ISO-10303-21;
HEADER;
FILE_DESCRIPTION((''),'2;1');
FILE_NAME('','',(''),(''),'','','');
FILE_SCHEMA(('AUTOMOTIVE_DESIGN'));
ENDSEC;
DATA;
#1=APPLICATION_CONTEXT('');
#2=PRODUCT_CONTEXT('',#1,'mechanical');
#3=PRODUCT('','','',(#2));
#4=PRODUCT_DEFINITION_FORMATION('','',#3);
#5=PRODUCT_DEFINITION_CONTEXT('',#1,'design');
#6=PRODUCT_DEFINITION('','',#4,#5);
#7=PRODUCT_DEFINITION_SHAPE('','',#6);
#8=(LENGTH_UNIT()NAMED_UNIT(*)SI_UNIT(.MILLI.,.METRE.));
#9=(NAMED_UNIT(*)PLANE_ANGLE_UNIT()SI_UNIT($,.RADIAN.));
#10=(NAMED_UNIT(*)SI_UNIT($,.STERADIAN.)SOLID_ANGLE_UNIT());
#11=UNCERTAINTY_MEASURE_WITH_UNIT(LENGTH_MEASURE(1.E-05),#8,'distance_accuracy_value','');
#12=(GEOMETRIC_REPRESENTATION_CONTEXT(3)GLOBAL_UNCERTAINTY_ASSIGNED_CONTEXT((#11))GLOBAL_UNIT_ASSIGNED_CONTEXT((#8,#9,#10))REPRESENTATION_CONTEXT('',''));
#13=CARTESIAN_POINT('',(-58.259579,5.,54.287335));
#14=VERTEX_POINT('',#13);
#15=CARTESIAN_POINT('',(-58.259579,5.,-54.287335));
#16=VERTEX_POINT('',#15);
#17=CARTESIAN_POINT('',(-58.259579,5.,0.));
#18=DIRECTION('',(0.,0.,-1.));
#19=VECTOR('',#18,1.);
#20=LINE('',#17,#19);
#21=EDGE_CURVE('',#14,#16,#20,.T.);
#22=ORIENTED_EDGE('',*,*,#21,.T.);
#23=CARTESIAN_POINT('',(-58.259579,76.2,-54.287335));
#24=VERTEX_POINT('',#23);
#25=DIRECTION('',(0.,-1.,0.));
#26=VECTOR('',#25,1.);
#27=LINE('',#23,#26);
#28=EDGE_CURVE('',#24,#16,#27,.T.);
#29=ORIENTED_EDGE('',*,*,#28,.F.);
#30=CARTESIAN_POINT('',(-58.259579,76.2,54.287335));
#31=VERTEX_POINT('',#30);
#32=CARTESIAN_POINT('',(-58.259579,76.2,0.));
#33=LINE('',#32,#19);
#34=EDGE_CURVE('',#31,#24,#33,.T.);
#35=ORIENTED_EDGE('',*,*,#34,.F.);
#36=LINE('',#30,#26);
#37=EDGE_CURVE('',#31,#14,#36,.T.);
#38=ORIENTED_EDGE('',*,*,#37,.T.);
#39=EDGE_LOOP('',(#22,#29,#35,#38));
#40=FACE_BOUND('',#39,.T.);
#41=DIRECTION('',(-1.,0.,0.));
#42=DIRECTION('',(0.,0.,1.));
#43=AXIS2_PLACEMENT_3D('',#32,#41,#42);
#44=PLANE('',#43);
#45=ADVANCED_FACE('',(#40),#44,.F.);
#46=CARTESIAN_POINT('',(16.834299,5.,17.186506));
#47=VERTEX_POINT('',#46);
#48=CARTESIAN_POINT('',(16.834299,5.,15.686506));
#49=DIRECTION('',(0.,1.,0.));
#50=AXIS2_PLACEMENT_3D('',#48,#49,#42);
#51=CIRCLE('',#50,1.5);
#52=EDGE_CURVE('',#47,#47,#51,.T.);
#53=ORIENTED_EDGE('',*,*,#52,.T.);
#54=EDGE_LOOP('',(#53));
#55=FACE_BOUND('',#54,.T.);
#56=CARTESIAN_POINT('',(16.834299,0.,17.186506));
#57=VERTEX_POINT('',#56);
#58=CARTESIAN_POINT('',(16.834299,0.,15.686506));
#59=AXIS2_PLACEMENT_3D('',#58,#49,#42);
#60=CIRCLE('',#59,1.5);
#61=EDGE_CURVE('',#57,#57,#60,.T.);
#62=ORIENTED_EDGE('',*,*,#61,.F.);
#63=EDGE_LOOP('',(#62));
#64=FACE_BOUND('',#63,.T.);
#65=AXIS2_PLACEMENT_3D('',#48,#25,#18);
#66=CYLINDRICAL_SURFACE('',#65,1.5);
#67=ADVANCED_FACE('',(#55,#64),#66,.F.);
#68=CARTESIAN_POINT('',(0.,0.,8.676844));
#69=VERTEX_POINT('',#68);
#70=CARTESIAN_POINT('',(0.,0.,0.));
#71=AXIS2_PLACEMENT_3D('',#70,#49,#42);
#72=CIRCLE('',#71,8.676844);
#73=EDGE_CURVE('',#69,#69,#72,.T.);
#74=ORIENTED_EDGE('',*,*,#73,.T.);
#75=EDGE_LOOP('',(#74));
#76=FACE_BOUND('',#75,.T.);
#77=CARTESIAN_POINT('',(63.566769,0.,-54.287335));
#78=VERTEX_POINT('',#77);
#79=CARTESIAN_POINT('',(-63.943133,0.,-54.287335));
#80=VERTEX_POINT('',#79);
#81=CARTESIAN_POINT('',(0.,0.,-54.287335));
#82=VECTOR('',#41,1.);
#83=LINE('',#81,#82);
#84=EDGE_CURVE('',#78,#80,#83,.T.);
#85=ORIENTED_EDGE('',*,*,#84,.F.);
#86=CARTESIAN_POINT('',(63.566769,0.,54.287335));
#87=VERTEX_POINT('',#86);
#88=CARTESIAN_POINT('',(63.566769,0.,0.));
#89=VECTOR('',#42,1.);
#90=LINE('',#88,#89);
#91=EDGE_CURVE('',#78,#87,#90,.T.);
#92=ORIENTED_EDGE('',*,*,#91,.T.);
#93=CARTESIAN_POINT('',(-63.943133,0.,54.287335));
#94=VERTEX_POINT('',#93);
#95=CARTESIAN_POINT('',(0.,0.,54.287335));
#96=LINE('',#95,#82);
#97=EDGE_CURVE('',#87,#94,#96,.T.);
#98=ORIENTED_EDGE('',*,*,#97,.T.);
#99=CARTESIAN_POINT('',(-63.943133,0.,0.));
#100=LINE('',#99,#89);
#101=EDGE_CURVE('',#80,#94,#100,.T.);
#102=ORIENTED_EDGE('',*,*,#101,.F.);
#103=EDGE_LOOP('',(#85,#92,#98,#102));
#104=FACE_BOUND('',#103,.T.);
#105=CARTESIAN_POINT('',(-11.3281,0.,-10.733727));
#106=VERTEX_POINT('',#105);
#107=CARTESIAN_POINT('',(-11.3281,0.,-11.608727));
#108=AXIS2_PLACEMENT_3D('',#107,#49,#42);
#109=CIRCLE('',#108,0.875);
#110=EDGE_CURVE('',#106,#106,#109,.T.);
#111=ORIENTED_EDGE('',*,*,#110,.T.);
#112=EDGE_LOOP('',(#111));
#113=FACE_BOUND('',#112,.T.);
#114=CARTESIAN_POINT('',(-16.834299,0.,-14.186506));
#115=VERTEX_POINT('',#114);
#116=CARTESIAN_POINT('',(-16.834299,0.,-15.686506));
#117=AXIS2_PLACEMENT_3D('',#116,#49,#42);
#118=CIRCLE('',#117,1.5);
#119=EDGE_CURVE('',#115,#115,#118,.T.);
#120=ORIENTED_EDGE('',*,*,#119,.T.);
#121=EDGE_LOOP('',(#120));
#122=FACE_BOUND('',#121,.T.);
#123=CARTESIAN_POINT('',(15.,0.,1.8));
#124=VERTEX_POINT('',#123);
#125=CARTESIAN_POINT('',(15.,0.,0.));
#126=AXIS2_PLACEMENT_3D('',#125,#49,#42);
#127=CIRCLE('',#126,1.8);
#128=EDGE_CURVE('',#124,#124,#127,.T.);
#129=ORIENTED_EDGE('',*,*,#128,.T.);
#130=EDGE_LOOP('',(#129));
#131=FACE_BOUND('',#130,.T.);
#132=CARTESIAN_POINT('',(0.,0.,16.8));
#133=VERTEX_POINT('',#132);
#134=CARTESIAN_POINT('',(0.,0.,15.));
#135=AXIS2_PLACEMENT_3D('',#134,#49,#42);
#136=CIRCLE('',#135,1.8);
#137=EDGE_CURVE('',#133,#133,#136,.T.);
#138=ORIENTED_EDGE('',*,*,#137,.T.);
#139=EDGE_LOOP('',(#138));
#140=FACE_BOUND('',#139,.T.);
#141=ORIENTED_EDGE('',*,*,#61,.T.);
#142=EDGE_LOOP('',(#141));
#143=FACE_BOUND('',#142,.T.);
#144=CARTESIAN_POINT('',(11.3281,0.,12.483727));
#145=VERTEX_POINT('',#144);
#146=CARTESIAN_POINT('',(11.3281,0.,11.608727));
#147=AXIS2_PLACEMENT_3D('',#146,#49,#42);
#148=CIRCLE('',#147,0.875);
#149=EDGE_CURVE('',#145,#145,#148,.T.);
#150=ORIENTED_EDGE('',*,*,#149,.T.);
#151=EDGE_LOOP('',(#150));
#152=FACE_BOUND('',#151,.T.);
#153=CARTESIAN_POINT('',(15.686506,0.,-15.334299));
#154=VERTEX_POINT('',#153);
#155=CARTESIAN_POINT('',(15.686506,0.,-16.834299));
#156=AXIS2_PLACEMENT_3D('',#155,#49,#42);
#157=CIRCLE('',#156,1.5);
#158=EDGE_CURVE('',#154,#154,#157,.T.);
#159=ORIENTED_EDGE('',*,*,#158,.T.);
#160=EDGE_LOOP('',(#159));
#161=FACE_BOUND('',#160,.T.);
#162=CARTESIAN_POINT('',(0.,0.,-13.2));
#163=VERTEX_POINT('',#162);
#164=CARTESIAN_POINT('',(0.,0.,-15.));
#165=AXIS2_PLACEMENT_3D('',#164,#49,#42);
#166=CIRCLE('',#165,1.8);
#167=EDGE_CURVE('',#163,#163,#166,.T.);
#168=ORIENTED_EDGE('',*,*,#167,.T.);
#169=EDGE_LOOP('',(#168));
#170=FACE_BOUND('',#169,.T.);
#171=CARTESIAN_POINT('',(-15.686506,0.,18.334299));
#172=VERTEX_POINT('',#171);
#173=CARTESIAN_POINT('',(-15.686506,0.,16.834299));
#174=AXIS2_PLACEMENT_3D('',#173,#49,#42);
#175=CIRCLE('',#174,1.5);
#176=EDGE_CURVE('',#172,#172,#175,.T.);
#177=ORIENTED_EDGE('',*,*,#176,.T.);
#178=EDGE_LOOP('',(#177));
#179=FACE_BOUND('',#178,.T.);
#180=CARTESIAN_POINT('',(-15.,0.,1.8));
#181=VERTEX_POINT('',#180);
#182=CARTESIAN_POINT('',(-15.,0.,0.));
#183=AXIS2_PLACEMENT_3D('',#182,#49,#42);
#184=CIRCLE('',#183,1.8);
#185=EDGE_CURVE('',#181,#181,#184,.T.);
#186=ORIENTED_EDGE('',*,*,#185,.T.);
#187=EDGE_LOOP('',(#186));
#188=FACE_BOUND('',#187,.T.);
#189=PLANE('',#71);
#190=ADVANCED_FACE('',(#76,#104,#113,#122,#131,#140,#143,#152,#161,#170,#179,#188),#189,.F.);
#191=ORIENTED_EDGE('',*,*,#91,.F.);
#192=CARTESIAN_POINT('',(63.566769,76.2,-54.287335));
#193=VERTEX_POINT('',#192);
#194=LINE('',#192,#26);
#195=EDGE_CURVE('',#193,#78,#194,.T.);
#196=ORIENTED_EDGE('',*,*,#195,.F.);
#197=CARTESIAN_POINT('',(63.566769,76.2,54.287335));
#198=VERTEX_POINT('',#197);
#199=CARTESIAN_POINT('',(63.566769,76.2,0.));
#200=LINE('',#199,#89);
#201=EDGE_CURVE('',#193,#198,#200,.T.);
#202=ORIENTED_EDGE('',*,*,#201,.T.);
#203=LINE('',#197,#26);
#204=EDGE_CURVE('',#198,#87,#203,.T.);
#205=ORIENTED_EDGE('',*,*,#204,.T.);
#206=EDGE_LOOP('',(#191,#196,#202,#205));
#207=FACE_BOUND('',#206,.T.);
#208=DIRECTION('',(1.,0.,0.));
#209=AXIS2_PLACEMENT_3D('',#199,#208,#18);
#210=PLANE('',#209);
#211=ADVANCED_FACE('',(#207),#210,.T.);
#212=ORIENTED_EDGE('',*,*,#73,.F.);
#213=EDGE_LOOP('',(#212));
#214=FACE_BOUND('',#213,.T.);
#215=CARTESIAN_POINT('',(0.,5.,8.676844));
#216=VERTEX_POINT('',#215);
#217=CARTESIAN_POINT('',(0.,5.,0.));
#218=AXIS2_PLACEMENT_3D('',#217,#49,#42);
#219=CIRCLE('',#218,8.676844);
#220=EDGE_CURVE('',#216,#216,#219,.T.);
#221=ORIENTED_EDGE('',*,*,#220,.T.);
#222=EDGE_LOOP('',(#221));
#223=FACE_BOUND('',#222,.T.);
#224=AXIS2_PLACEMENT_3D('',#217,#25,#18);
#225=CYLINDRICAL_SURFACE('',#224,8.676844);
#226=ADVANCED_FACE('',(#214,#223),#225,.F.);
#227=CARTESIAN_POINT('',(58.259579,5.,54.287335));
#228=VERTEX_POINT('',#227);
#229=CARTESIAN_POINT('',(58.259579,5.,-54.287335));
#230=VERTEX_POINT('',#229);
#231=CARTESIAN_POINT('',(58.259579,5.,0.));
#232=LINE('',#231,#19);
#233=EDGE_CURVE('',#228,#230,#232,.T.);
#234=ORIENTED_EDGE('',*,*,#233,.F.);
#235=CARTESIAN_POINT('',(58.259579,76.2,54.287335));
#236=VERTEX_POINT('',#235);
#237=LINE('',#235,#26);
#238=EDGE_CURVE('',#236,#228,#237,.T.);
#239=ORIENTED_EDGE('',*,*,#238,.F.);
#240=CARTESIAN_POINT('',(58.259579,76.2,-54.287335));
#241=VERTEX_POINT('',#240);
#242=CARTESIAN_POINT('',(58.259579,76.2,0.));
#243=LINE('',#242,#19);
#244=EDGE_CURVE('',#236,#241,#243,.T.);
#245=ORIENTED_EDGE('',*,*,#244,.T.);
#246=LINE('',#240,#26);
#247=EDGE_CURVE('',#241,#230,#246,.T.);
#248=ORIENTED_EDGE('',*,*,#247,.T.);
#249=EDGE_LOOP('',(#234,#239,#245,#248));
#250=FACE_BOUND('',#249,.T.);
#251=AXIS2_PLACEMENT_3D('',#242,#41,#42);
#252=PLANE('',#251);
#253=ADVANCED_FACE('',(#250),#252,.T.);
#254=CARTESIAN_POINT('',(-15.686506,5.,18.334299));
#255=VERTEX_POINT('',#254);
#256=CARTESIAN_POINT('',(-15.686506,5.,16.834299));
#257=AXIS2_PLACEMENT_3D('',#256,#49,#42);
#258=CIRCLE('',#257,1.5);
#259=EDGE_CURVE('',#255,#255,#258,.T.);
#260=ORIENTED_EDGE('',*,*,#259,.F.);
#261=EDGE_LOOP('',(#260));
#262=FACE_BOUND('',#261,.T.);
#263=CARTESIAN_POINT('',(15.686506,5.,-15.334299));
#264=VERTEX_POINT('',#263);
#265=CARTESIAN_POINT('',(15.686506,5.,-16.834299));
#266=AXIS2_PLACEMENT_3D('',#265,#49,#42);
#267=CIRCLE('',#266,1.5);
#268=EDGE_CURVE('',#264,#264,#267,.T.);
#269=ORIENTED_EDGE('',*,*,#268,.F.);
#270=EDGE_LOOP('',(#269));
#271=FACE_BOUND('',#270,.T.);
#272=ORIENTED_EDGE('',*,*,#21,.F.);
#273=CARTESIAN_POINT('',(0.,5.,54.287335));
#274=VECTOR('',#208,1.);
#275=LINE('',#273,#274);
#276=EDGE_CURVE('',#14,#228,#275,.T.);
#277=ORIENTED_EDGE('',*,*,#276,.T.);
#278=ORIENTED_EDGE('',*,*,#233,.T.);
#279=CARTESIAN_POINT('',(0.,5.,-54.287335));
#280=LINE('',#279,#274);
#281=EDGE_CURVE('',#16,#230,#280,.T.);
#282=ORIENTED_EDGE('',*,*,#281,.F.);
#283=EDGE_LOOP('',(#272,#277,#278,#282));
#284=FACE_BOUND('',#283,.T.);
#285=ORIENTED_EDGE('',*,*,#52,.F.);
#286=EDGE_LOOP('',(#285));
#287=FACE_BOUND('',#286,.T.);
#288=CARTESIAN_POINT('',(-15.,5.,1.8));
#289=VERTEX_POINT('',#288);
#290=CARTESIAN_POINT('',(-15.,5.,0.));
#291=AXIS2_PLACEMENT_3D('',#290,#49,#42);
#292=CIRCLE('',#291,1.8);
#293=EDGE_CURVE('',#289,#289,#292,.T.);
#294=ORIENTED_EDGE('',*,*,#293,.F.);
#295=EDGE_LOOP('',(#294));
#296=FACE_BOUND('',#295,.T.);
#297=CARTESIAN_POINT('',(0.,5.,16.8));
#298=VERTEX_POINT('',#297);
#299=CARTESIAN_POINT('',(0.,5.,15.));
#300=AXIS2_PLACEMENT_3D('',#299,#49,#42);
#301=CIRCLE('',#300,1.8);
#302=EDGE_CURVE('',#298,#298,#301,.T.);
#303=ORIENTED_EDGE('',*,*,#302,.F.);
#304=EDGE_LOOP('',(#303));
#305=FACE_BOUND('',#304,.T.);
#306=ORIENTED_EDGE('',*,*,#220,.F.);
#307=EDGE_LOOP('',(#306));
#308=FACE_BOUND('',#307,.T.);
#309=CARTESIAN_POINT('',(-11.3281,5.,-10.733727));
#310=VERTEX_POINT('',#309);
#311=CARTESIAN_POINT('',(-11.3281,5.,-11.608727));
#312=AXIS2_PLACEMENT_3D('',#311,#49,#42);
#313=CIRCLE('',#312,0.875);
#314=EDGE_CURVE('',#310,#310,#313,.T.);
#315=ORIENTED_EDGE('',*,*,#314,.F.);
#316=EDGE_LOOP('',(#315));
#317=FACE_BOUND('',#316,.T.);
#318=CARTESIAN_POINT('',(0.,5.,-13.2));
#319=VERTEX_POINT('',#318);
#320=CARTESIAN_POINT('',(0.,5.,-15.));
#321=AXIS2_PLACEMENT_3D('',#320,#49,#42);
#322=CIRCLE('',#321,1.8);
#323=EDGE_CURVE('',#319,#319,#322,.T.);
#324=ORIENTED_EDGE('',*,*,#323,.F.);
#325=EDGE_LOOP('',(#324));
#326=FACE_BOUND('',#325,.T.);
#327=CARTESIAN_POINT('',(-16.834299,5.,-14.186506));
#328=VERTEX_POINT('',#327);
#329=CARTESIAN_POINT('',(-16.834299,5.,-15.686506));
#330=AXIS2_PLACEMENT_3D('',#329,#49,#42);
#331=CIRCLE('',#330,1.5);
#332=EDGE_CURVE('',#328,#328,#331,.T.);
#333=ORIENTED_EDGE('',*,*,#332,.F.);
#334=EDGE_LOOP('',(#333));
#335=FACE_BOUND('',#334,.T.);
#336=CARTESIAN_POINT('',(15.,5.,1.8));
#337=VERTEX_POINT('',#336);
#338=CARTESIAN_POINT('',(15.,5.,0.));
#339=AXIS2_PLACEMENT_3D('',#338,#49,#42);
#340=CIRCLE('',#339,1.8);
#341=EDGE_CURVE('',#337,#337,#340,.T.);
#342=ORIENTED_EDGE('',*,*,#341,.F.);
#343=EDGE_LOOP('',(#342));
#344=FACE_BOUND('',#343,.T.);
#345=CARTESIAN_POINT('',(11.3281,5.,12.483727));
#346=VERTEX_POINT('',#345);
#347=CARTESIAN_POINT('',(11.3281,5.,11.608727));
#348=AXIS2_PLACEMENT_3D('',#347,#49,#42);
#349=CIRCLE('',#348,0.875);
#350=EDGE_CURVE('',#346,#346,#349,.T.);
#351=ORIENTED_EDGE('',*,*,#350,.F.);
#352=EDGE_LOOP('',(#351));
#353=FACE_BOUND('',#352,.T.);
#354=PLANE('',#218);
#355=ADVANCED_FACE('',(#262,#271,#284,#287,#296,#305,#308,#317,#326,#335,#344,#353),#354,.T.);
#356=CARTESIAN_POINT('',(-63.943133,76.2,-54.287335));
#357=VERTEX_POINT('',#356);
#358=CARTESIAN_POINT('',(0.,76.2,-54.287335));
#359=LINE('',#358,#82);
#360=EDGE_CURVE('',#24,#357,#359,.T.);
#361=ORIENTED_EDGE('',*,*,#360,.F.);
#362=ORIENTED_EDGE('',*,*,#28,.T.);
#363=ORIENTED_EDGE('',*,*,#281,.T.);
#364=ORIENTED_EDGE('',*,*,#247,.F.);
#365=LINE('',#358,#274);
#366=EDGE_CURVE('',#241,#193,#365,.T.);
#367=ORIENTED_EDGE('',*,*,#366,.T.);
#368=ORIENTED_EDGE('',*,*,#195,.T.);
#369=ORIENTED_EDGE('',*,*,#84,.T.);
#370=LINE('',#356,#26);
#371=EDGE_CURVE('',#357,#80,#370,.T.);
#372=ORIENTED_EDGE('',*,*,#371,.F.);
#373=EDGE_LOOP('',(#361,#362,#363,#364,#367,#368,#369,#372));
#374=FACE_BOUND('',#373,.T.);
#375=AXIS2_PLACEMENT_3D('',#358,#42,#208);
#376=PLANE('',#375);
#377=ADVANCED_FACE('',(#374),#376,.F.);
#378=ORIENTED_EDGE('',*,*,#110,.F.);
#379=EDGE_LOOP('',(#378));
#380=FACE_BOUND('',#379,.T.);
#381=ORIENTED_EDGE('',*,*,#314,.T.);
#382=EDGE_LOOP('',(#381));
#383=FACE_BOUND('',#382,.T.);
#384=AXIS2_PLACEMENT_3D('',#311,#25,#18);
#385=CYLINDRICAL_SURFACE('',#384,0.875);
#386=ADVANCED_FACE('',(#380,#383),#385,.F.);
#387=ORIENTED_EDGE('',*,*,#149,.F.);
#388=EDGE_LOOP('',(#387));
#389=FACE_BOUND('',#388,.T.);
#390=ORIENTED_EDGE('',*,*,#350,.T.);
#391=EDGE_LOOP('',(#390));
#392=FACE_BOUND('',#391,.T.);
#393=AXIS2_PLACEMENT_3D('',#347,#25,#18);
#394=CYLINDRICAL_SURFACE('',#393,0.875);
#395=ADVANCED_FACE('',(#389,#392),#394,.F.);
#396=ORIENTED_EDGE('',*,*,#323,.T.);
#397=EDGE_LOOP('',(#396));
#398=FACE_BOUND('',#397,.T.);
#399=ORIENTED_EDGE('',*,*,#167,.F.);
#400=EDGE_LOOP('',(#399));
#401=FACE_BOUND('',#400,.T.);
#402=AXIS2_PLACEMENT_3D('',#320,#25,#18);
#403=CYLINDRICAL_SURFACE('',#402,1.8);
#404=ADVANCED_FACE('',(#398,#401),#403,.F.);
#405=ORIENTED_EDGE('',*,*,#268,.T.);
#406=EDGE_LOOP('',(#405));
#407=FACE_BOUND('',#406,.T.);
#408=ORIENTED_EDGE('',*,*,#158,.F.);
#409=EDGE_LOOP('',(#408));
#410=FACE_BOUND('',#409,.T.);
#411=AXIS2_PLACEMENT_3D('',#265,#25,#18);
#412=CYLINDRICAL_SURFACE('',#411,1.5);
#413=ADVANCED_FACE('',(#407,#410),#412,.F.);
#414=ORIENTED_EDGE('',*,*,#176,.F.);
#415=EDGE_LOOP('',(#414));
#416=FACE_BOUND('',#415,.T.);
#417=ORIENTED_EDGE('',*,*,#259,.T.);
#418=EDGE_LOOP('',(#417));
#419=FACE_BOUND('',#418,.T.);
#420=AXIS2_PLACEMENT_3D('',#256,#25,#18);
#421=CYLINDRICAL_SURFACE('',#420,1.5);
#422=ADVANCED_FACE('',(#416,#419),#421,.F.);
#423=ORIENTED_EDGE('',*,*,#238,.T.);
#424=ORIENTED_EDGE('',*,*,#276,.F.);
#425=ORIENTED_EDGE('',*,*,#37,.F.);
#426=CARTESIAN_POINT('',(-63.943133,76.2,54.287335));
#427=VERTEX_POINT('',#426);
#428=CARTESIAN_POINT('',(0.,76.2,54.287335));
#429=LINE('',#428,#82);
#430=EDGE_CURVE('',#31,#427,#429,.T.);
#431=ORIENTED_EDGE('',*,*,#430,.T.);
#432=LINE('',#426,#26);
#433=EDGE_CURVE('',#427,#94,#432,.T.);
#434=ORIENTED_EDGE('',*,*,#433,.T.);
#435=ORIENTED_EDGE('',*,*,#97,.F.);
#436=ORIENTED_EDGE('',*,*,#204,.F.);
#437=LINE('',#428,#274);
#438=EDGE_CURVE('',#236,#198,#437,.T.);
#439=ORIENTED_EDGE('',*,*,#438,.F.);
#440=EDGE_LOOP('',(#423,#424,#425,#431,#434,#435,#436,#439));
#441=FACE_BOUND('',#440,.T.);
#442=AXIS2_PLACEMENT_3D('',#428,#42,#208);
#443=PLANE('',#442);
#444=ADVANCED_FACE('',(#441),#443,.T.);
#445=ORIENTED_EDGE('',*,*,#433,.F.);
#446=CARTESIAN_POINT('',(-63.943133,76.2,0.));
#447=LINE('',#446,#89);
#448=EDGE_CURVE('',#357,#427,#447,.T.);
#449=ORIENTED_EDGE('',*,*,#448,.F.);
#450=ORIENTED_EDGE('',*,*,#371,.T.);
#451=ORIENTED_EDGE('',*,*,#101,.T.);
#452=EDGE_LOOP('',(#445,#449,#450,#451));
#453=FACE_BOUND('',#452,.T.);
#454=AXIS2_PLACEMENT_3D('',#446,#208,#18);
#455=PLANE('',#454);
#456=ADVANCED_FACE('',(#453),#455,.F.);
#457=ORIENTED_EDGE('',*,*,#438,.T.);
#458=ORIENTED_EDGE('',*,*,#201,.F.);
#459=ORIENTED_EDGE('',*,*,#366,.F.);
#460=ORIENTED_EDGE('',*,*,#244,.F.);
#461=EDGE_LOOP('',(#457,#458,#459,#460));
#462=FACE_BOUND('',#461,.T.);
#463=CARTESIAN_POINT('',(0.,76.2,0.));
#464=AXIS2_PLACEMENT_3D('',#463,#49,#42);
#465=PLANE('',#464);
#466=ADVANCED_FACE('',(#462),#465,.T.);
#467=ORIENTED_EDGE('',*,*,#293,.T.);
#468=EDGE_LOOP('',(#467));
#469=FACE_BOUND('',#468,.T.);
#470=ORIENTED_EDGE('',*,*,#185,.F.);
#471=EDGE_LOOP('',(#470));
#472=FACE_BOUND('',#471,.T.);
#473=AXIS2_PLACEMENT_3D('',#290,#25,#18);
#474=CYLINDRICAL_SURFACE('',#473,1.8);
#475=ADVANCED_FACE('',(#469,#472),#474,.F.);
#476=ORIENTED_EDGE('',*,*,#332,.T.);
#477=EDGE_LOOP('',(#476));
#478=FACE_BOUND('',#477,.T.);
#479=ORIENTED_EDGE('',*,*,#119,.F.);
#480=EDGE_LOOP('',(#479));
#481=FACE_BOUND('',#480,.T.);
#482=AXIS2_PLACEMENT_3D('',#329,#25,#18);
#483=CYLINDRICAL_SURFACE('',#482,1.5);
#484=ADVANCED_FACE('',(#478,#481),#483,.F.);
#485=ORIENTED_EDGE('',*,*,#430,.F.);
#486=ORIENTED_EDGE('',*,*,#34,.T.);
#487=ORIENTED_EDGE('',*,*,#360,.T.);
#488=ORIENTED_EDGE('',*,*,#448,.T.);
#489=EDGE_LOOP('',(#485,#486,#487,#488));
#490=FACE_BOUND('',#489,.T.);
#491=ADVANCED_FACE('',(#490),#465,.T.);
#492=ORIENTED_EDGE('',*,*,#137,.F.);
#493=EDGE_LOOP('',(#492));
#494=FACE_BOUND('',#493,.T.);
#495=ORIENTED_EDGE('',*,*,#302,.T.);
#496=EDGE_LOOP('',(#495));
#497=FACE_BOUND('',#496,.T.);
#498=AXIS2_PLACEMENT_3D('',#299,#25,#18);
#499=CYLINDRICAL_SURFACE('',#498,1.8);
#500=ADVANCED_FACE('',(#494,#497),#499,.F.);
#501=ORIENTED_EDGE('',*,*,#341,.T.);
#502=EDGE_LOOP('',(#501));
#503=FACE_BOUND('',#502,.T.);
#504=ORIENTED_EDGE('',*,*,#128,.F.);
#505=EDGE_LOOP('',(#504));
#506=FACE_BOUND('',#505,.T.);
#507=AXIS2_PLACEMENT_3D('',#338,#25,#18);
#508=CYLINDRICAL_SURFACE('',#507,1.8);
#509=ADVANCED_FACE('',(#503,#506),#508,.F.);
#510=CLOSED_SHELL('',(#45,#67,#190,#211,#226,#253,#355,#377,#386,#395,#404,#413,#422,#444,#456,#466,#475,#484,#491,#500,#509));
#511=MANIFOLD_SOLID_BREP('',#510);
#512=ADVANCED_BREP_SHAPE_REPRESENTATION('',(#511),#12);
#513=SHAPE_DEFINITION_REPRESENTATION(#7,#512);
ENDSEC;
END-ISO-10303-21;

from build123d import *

# Parameters (mm, degrees)
SKETCH1_W             = 5.683554567
SKETCH1_H             = 108.574669318
BOSS_EXTRUDE2_DEPTH   = 76.2
SKETCH1_W_2           = 5.307190744
BOSS_EXTRUDE2_2_DEPTH = 76.2
SKETCH1_5_W           = 116.519157318
SKETCH1_5_H           = 108.574669318
SKETCH1_5_R           = 1.5
SKETCH1_5_R_2         = 1.8
SKETCH1_5_R_3         = 0.875
SKETCH1_5_R_4         = 8.6768437
BOSS_EXTRUDE3_DEPTH   = 5


with BuildPart() as part:
    # Sketch1 → Boss-Extrude2 (new body)
    with BuildSketch(Plane(origin=(0, 0, 0), x_dir=(1, 0, 0), z_dir=(0, 1, 0))):
        with Locations((-61.101355943, 0)):
            Rectangle(SKETCH1_W, SKETCH1_H)
    extrude(amount=BOSS_EXTRUDE2_DEPTH)



with BuildPart() as body_2:
    # Sketch1 → Boss-Extrude2 2 (new body)
    with BuildSketch(Plane(origin=(0, 0, 0), x_dir=(1, 0, 0), z_dir=(0, 1, 0))):
        with Locations((60.913174031, 0)):
            Rectangle(SKETCH1_W_2, SKETCH1_H)
    extrude(amount=BOSS_EXTRUDE2_2_DEPTH)


with BuildPart() as part_1:
    add(part.part)

    add(body_2.part)  # Boss-Extrude3 merges body 2
    # Sketch1<5> → Boss-Extrude3 (add)
    with BuildSketch(Plane(origin=(0, 0, 0), x_dir=(1, 0, 0), z_dir=(0, 1, 0))):
        Rectangle(SKETCH1_5_W, SKETCH1_5_H)
        with Locations((-15.686506038, -16.834299163)):
            Circle(SKETCH1_5_R, mode=Mode.SUBTRACT)
        with Locations((-15, 0)):
            Circle(SKETCH1_5_R_2, mode=Mode.SUBTRACT)
        with Locations((0, -15)):
            Circle(SKETCH1_5_R_2, mode=Mode.SUBTRACT)
        with Locations((16.834299163, -15.686506038)):
            Circle(SKETCH1_5_R, mode=Mode.SUBTRACT)
        with Locations((11.328100331, -11.608727014)):
            Circle(SKETCH1_5_R_3, mode=Mode.SUBTRACT)
        Circle(SKETCH1_5_R_4, mode=Mode.SUBTRACT)
        with Locations((-11.328100331, 11.608727014)):
            Circle(SKETCH1_5_R_3, mode=Mode.SUBTRACT)
        with Locations((-16.834299163, 15.686506038)):
            Circle(SKETCH1_5_R, mode=Mode.SUBTRACT)
        with Locations((15, 0)):
            Circle(SKETCH1_5_R_2, mode=Mode.SUBTRACT)
        with Locations((0, 15)):
            Circle(SKETCH1_5_R_2, mode=Mode.SUBTRACT)
        with Locations((15.686506038, 16.834299163)):
            Circle(SKETCH1_5_R, mode=Mode.SUBTRACT)
    extrude(amount=BOSS_EXTRUDE3_DEPTH)


solid = part_1.part
